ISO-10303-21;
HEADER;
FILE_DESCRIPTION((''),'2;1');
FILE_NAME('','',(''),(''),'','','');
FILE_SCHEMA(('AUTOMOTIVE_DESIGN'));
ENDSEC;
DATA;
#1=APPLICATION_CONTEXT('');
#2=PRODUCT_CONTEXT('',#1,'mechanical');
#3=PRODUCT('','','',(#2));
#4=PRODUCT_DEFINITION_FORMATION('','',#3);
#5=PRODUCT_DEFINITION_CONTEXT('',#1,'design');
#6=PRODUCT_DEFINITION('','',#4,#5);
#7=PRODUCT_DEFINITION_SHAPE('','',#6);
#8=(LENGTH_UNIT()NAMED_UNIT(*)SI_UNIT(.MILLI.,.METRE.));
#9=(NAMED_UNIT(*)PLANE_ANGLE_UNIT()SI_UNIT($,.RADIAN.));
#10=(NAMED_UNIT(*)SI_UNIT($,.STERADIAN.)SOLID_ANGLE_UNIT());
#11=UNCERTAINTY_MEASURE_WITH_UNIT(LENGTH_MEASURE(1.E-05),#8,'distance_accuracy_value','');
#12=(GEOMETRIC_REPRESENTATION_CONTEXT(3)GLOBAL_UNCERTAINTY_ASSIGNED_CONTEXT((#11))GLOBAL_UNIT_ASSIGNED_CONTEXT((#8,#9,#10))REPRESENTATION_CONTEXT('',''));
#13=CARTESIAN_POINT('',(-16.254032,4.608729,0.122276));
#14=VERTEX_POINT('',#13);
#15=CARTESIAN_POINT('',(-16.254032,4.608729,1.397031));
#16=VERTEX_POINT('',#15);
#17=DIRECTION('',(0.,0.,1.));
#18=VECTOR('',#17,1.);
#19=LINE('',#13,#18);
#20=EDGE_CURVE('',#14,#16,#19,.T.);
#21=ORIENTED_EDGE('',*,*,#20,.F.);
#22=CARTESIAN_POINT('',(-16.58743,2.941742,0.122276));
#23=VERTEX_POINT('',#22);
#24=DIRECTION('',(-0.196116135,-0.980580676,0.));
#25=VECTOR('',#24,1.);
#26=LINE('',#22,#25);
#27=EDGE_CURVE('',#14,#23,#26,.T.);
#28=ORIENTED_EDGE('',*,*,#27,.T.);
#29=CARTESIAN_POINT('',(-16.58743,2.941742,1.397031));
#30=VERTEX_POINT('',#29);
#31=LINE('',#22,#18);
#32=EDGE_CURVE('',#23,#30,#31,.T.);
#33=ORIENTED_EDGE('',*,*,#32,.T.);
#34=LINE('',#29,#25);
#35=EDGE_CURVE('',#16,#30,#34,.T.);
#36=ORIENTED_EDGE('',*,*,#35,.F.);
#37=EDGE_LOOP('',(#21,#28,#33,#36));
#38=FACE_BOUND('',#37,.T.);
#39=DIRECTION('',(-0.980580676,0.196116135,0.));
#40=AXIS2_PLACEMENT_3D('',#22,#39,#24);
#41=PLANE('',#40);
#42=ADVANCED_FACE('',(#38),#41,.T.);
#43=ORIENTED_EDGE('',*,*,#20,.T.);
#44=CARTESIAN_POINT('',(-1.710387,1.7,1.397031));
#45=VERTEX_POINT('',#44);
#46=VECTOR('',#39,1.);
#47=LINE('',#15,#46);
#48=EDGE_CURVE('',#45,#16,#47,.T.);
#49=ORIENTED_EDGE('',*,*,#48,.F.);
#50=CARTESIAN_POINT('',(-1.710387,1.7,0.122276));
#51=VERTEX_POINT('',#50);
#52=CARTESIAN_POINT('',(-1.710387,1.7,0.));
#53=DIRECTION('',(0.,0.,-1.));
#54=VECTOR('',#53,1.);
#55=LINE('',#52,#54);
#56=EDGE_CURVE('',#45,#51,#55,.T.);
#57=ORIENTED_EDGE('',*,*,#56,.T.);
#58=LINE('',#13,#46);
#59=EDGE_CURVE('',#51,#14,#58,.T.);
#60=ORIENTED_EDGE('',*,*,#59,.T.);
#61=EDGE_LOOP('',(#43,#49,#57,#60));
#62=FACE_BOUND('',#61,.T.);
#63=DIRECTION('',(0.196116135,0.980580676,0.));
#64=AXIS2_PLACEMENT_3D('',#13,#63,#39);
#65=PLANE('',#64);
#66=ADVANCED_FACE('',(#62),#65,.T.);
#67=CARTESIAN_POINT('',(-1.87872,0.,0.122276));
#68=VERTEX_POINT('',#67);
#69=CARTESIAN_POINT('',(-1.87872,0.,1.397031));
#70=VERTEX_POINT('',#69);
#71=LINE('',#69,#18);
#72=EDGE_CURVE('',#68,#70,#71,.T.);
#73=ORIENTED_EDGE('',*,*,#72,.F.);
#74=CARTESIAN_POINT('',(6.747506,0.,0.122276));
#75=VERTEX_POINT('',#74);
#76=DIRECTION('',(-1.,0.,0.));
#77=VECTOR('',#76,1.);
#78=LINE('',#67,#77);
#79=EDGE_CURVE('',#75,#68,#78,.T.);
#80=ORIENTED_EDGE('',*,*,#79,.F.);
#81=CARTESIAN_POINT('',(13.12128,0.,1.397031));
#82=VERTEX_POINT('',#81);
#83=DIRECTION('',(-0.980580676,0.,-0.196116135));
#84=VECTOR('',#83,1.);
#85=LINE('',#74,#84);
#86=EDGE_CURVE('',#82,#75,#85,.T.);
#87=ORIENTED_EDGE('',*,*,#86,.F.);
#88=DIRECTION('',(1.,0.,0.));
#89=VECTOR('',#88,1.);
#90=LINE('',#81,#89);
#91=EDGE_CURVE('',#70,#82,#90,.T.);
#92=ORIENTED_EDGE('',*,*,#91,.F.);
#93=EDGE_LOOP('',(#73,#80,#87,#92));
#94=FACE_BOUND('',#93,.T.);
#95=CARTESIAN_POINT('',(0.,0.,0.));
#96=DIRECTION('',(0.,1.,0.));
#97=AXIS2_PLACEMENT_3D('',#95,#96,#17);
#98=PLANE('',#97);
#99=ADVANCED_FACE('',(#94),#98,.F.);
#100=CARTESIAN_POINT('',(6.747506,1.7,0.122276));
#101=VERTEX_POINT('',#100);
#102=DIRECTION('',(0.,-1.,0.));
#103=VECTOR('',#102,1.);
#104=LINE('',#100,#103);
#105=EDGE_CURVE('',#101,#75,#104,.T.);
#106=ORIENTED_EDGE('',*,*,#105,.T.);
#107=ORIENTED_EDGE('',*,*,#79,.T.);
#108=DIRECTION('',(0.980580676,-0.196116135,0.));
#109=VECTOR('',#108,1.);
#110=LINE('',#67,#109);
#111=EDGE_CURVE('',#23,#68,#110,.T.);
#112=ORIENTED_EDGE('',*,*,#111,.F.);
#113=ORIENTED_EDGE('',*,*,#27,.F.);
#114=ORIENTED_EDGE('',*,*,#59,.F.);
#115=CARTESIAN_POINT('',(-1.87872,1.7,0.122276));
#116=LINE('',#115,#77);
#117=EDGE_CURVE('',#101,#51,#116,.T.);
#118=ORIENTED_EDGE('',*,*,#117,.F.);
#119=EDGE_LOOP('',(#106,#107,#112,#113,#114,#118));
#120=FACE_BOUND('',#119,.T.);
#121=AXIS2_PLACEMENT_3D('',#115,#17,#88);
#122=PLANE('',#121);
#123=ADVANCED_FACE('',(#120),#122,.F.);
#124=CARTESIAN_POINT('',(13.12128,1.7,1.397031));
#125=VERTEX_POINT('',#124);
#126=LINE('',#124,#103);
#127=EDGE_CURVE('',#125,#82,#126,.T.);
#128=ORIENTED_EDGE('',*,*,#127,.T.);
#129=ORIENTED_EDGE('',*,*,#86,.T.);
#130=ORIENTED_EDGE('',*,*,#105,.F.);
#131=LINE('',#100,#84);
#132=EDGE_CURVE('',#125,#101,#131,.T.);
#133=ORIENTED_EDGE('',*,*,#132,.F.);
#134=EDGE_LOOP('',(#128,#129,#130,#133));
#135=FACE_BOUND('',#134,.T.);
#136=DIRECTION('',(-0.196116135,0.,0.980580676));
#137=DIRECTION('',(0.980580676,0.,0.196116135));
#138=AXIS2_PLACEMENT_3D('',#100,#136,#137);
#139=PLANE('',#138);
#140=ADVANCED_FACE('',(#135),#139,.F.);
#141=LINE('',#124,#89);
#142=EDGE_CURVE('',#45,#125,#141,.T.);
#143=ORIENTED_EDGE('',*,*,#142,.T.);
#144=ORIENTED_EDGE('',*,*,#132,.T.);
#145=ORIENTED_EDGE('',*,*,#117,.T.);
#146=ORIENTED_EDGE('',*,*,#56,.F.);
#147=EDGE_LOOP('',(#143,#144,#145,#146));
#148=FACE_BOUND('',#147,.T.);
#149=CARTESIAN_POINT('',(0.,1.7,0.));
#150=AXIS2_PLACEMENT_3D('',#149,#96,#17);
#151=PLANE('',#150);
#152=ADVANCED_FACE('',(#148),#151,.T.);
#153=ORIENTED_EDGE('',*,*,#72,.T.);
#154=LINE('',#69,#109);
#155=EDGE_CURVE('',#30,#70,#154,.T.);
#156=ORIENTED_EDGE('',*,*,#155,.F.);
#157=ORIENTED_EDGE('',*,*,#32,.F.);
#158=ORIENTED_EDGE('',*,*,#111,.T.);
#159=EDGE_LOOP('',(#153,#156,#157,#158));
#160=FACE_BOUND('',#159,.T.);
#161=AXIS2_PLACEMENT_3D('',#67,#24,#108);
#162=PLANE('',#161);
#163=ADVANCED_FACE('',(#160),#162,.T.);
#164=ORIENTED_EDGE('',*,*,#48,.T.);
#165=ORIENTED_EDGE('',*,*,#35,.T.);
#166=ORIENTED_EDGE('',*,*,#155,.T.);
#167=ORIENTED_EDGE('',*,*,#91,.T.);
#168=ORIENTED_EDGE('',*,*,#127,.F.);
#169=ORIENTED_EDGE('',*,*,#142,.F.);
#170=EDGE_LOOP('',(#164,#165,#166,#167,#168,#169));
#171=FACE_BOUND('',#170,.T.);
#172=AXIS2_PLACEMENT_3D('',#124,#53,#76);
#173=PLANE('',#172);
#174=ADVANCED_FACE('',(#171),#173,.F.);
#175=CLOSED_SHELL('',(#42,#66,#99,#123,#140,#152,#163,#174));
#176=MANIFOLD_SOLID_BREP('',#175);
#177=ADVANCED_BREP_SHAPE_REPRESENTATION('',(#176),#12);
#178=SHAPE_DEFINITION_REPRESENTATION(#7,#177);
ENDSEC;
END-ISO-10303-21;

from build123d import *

# Parameters (mm, degrees)
BOSS_EXTRUDE2_DEPTH = 1.7
BOSS_EXTRUDE4_DEPTH = 1.274755


with BuildPart() as part:
    # Sketch1 → Boss-Extrude2 (new body)
    with BuildSketch(Plane(origin=(0, 0, 0), x_dir=(1, 0, 0), z_dir=(0, 1, 0))):
        Polygon((-1.878719766, -1.397030535), (-1.878719766, -0.122275657), (6.747505842, -0.122275657), (13.121280234, -1.397030535), align=None)
    extrude(amount=BOSS_EXTRUDE2_DEPTH)

    # Sketch4 → Boss-Extrude4 (add)
    with BuildSketch(Plane.XY.offset(1.397030535)):
        Polygon((-1.878719766, 0), (-16.587429902, 2.941742026), (-16.254032472, 4.608729175), (-1.545322337, 1.666987149), align=None)
    extrude(amount=-BOSS_EXTRUDE4_DEPTH)


solid = part.part
